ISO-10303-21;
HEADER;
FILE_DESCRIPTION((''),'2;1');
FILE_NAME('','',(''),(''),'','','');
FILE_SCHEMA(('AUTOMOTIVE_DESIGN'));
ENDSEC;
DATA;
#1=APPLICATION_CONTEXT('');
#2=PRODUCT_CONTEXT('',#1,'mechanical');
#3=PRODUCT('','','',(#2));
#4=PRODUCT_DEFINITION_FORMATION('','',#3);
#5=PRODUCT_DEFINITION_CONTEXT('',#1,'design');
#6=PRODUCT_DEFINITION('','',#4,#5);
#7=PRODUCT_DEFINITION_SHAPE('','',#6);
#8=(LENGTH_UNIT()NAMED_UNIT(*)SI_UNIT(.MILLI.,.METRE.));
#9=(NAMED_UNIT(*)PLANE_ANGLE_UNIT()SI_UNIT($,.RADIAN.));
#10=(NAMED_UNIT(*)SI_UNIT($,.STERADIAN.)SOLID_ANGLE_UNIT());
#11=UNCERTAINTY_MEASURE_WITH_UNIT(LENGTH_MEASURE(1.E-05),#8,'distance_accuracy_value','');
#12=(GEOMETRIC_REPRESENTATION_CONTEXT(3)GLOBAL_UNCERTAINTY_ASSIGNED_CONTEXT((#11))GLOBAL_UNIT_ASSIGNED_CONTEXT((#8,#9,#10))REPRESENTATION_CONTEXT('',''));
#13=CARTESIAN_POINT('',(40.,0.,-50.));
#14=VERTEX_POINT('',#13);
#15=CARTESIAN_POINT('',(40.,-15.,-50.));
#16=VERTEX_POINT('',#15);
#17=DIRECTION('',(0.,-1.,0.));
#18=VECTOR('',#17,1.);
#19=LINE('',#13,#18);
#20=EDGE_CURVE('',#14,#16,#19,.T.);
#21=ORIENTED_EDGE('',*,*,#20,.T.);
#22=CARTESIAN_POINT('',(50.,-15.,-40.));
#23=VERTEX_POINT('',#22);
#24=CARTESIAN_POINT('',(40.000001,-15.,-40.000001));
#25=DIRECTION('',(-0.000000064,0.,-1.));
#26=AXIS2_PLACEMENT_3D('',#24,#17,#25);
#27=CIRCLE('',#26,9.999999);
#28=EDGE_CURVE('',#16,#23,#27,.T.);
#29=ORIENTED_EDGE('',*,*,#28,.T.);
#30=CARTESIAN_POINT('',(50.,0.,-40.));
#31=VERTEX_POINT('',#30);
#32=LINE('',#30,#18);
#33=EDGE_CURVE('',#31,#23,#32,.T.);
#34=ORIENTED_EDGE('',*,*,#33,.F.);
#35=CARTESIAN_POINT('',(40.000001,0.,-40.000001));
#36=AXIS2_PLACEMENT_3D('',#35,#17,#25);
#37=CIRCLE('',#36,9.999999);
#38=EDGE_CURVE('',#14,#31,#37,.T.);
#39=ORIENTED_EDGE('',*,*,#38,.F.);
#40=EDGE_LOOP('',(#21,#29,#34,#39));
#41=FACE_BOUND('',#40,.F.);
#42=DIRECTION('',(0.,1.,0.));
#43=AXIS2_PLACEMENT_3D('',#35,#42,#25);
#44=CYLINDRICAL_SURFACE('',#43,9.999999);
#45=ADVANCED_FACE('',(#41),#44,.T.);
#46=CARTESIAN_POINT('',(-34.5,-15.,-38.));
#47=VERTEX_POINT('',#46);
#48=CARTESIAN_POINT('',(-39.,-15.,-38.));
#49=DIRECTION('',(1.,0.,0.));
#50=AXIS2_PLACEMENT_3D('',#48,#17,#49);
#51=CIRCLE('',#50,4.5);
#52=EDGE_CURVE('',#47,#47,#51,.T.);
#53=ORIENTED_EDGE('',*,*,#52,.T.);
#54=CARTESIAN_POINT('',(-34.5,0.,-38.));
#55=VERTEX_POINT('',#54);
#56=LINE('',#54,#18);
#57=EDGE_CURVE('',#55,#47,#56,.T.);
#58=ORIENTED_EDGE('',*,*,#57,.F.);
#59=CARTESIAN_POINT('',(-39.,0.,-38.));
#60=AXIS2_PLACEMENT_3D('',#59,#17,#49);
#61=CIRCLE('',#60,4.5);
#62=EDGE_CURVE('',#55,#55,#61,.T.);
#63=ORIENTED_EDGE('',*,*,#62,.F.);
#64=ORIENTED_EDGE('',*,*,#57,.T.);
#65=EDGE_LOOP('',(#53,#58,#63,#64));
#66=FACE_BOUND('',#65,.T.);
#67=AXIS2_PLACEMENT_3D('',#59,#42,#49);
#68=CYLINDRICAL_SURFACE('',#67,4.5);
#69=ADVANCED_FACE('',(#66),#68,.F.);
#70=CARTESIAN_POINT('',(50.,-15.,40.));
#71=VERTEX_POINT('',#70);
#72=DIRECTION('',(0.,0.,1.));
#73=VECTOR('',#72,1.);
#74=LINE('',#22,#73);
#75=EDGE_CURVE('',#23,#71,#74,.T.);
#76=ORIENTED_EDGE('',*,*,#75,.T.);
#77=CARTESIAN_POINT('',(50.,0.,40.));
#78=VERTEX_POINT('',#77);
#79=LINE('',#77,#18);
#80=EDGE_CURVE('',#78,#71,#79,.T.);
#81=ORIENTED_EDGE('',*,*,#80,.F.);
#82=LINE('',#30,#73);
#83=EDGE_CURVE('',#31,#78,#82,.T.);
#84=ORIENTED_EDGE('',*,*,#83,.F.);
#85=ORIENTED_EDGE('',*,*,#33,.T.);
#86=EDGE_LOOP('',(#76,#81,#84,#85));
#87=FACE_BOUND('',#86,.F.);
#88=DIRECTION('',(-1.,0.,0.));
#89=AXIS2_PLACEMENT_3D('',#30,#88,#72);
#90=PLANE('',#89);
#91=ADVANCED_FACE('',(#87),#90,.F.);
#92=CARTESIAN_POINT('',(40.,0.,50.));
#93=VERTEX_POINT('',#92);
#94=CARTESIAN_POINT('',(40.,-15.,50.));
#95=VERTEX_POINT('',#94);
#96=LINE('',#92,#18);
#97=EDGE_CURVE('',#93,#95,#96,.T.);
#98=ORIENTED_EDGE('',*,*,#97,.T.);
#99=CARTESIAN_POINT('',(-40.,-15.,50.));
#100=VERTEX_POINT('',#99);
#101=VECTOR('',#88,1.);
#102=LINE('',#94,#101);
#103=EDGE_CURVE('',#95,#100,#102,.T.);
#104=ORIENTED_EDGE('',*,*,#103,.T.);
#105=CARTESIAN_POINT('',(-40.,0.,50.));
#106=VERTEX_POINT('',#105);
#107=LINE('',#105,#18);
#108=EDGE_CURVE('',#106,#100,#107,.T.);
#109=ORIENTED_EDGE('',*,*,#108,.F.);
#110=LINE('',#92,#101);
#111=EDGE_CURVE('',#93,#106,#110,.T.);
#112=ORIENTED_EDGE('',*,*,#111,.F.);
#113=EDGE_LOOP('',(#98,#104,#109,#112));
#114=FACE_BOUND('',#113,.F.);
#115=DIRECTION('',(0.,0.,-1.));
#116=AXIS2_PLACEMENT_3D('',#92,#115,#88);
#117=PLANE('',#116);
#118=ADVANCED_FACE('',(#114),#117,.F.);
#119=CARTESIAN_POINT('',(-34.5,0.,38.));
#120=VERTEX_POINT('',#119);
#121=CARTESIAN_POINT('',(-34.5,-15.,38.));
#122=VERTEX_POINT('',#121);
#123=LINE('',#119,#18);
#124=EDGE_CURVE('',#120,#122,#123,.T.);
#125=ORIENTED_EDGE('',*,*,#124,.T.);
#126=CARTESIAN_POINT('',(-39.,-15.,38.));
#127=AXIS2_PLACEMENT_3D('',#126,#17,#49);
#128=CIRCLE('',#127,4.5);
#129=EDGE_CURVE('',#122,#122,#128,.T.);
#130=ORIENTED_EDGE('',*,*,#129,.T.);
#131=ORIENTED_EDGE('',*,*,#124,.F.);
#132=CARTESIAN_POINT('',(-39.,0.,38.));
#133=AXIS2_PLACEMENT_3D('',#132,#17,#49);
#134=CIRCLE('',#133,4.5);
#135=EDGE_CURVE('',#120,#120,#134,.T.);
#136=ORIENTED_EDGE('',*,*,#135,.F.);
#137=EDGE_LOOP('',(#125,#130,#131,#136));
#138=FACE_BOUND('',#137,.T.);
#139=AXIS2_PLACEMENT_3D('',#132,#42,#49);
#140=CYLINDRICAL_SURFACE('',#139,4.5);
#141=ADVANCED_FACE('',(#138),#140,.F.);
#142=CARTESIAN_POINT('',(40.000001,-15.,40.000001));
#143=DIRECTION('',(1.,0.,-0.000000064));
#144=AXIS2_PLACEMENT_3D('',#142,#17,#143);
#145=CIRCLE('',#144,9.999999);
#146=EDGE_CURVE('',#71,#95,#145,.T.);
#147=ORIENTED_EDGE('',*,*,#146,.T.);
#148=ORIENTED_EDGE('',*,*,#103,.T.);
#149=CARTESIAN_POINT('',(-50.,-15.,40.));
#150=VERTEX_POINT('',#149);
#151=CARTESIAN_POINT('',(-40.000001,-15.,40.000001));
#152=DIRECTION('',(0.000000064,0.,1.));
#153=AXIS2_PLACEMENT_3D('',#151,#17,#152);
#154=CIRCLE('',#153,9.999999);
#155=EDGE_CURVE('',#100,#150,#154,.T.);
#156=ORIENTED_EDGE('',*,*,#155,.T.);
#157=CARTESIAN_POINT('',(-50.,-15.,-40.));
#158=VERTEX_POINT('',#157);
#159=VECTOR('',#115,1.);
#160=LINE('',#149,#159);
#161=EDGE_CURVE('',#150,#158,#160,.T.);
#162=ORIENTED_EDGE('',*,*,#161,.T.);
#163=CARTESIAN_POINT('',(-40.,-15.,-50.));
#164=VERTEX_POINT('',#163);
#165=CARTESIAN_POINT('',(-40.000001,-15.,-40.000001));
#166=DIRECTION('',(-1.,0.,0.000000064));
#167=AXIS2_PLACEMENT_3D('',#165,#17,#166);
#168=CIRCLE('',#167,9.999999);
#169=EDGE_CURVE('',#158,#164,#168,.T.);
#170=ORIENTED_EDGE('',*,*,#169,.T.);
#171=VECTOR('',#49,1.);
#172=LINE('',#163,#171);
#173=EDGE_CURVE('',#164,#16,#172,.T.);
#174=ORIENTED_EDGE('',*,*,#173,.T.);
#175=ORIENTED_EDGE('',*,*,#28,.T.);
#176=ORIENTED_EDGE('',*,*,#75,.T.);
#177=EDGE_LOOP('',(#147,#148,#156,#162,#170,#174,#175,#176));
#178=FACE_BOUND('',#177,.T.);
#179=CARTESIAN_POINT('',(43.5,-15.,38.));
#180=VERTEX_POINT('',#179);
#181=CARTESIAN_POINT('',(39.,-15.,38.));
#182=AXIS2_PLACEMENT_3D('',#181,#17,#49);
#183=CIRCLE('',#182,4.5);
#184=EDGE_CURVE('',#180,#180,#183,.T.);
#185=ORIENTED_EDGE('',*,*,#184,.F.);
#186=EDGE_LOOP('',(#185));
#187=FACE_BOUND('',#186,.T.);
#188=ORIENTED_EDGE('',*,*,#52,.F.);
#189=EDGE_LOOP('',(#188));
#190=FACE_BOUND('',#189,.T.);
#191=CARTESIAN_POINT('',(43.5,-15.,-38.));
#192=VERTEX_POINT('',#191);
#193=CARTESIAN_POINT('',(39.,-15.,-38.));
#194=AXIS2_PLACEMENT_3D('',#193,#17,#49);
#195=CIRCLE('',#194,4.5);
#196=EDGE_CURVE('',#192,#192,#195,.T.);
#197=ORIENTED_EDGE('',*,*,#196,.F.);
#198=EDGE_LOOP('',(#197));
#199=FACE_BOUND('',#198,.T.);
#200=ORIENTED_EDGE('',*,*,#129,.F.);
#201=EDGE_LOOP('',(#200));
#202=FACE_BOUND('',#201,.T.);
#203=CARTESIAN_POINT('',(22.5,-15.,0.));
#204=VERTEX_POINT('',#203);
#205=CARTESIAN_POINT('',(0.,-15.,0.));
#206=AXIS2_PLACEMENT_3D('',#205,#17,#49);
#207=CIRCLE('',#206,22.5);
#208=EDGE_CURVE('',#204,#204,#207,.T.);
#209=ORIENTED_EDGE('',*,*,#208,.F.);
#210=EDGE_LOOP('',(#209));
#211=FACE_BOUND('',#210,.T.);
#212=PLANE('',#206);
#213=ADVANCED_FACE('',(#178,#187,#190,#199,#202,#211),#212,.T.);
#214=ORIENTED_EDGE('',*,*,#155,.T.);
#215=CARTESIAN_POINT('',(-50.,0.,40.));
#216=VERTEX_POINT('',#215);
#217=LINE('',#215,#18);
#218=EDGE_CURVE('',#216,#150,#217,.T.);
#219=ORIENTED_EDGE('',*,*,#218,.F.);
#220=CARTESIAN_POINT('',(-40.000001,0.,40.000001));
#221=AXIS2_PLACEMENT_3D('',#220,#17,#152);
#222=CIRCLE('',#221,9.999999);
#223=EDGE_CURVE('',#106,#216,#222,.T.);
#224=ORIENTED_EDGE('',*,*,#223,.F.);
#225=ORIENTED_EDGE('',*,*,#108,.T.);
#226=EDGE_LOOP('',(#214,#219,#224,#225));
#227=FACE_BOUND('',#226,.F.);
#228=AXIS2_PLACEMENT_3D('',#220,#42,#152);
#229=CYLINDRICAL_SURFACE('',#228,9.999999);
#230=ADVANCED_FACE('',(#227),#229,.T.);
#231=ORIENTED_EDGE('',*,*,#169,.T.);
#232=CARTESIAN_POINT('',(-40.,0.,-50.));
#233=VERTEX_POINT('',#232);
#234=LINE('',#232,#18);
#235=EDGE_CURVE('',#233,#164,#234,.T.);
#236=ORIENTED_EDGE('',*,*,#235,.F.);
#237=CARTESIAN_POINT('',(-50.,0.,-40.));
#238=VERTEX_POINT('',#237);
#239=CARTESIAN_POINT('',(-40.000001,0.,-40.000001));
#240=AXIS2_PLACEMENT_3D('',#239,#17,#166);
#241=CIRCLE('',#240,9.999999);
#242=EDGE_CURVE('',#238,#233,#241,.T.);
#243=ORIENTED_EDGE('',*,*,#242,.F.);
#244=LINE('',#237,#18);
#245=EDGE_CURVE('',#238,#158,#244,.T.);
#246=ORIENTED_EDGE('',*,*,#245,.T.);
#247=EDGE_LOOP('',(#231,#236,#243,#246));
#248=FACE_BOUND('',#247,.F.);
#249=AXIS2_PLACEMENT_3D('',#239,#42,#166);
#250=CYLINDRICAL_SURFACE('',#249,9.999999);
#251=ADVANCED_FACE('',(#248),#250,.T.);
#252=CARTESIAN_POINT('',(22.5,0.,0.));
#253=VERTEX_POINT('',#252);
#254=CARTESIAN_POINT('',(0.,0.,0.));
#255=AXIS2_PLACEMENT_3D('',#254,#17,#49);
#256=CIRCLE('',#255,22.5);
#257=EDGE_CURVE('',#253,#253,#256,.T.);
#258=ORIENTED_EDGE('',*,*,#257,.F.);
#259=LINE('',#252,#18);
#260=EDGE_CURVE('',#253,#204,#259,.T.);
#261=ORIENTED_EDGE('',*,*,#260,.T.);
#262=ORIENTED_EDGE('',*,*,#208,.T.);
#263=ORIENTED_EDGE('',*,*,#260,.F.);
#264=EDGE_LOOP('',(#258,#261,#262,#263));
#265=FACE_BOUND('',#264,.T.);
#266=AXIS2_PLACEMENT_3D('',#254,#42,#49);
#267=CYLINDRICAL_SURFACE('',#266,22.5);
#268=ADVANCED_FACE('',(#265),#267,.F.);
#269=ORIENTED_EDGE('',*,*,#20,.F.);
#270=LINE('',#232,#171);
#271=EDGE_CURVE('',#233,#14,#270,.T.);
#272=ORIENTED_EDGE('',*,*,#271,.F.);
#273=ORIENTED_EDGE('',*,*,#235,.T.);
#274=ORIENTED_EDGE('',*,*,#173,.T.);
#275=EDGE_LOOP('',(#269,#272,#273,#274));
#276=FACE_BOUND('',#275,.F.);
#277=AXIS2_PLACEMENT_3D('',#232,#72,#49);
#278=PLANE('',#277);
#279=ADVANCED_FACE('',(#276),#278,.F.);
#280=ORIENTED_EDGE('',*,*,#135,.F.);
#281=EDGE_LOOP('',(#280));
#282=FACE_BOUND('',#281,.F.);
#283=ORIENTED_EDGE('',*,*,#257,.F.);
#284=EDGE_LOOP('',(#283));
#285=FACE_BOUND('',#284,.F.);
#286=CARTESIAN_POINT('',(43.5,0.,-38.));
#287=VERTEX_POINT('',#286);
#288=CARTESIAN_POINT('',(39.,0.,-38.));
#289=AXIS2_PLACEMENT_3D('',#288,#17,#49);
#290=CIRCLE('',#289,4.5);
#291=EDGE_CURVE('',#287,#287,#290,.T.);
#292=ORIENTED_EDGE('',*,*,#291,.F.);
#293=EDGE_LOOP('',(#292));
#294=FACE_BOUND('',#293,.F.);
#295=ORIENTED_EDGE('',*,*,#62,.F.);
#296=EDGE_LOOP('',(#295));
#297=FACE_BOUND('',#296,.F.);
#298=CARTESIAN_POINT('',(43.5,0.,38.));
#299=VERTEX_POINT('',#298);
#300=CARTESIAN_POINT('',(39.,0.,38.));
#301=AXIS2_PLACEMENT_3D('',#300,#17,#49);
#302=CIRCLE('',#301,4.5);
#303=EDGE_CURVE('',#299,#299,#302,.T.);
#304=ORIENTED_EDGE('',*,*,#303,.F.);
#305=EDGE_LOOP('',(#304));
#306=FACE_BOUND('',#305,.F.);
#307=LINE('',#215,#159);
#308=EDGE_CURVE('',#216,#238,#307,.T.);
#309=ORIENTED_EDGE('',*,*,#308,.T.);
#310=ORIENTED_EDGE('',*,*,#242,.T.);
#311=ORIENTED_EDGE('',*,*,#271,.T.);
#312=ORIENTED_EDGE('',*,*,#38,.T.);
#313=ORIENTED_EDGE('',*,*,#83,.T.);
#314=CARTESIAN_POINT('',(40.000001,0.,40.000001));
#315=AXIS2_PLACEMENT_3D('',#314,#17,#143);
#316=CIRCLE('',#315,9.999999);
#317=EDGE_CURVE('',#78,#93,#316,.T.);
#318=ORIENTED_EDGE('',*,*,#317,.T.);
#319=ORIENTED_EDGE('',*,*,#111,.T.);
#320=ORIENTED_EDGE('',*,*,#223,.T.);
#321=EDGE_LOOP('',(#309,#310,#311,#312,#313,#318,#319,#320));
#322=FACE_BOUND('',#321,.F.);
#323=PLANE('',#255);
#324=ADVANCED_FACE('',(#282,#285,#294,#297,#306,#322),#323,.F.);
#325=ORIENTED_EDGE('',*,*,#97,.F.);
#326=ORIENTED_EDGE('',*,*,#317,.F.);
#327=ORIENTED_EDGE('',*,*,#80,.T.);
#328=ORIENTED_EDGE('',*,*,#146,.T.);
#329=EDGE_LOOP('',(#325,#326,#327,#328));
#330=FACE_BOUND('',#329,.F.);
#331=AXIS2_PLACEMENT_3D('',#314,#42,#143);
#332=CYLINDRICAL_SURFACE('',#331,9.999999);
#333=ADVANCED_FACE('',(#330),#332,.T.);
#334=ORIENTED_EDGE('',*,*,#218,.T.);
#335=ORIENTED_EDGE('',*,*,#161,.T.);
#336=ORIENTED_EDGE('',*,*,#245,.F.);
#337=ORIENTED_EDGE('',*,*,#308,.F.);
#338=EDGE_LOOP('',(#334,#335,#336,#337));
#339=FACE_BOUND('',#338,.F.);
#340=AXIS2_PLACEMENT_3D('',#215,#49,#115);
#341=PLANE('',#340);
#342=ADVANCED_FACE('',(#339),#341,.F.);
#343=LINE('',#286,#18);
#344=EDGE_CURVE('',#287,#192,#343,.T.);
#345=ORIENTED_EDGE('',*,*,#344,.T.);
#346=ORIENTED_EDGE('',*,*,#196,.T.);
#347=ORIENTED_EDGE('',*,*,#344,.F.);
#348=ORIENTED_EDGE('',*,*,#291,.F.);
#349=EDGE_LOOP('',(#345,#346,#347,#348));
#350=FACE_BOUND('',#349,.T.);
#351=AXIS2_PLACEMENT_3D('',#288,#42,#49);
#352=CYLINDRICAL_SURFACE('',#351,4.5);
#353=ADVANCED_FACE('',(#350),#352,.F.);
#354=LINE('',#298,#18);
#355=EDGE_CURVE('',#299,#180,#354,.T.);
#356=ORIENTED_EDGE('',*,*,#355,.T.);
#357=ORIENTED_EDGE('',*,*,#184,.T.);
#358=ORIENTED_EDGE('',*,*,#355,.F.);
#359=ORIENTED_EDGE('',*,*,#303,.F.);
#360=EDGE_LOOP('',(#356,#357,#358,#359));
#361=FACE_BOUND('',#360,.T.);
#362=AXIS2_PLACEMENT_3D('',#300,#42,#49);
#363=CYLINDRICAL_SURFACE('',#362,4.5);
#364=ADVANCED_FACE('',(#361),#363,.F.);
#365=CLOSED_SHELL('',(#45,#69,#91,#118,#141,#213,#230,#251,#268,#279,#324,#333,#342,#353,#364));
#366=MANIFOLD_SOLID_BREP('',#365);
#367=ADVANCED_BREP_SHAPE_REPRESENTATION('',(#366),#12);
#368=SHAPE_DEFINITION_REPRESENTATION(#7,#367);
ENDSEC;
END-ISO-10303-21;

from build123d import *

# Parameters (mm, degrees)
F0_R     = 4.5
F0_R_2   = 22.5
F1_DEPTH = 15


with BuildPart() as f1:
    # F0 (on Front) → F1 (new body)
    with BuildSketch(Plane.XZ):
        with BuildLine():
            Line((40, 50), (-40, 50))
            ThreePointArc((-40, 50), (-47.071068, 47.071068), (-50, 40))
            Line((-50, 40), (-50, -40))
            ThreePointArc((-50, -40), (-47.071068, -47.071068), (-40, -50))
            Line((-40, -50), (40, -50))
            ThreePointArc((40, -50), (47.071068, -47.071068), (50, -40))
            Line((50, -40), (50, 40))
            ThreePointArc((50, 40), (47.071068, 47.071068), (40, 50))
        make_face()
        with Locations((-39, -38)):
            Circle(F0_R, mode=Mode.SUBTRACT)
        with Locations((39, -38)):
            Circle(F0_R, mode=Mode.SUBTRACT)
        with Locations((-39, 38)):
            Circle(F0_R, mode=Mode.SUBTRACT)
        Circle(F0_R_2, mode=Mode.SUBTRACT)
        with Locations((39, 38)):
            Circle(F0_R, mode=Mode.SUBTRACT)
    extrude(amount=F1_DEPTH)


solid = f1.part
